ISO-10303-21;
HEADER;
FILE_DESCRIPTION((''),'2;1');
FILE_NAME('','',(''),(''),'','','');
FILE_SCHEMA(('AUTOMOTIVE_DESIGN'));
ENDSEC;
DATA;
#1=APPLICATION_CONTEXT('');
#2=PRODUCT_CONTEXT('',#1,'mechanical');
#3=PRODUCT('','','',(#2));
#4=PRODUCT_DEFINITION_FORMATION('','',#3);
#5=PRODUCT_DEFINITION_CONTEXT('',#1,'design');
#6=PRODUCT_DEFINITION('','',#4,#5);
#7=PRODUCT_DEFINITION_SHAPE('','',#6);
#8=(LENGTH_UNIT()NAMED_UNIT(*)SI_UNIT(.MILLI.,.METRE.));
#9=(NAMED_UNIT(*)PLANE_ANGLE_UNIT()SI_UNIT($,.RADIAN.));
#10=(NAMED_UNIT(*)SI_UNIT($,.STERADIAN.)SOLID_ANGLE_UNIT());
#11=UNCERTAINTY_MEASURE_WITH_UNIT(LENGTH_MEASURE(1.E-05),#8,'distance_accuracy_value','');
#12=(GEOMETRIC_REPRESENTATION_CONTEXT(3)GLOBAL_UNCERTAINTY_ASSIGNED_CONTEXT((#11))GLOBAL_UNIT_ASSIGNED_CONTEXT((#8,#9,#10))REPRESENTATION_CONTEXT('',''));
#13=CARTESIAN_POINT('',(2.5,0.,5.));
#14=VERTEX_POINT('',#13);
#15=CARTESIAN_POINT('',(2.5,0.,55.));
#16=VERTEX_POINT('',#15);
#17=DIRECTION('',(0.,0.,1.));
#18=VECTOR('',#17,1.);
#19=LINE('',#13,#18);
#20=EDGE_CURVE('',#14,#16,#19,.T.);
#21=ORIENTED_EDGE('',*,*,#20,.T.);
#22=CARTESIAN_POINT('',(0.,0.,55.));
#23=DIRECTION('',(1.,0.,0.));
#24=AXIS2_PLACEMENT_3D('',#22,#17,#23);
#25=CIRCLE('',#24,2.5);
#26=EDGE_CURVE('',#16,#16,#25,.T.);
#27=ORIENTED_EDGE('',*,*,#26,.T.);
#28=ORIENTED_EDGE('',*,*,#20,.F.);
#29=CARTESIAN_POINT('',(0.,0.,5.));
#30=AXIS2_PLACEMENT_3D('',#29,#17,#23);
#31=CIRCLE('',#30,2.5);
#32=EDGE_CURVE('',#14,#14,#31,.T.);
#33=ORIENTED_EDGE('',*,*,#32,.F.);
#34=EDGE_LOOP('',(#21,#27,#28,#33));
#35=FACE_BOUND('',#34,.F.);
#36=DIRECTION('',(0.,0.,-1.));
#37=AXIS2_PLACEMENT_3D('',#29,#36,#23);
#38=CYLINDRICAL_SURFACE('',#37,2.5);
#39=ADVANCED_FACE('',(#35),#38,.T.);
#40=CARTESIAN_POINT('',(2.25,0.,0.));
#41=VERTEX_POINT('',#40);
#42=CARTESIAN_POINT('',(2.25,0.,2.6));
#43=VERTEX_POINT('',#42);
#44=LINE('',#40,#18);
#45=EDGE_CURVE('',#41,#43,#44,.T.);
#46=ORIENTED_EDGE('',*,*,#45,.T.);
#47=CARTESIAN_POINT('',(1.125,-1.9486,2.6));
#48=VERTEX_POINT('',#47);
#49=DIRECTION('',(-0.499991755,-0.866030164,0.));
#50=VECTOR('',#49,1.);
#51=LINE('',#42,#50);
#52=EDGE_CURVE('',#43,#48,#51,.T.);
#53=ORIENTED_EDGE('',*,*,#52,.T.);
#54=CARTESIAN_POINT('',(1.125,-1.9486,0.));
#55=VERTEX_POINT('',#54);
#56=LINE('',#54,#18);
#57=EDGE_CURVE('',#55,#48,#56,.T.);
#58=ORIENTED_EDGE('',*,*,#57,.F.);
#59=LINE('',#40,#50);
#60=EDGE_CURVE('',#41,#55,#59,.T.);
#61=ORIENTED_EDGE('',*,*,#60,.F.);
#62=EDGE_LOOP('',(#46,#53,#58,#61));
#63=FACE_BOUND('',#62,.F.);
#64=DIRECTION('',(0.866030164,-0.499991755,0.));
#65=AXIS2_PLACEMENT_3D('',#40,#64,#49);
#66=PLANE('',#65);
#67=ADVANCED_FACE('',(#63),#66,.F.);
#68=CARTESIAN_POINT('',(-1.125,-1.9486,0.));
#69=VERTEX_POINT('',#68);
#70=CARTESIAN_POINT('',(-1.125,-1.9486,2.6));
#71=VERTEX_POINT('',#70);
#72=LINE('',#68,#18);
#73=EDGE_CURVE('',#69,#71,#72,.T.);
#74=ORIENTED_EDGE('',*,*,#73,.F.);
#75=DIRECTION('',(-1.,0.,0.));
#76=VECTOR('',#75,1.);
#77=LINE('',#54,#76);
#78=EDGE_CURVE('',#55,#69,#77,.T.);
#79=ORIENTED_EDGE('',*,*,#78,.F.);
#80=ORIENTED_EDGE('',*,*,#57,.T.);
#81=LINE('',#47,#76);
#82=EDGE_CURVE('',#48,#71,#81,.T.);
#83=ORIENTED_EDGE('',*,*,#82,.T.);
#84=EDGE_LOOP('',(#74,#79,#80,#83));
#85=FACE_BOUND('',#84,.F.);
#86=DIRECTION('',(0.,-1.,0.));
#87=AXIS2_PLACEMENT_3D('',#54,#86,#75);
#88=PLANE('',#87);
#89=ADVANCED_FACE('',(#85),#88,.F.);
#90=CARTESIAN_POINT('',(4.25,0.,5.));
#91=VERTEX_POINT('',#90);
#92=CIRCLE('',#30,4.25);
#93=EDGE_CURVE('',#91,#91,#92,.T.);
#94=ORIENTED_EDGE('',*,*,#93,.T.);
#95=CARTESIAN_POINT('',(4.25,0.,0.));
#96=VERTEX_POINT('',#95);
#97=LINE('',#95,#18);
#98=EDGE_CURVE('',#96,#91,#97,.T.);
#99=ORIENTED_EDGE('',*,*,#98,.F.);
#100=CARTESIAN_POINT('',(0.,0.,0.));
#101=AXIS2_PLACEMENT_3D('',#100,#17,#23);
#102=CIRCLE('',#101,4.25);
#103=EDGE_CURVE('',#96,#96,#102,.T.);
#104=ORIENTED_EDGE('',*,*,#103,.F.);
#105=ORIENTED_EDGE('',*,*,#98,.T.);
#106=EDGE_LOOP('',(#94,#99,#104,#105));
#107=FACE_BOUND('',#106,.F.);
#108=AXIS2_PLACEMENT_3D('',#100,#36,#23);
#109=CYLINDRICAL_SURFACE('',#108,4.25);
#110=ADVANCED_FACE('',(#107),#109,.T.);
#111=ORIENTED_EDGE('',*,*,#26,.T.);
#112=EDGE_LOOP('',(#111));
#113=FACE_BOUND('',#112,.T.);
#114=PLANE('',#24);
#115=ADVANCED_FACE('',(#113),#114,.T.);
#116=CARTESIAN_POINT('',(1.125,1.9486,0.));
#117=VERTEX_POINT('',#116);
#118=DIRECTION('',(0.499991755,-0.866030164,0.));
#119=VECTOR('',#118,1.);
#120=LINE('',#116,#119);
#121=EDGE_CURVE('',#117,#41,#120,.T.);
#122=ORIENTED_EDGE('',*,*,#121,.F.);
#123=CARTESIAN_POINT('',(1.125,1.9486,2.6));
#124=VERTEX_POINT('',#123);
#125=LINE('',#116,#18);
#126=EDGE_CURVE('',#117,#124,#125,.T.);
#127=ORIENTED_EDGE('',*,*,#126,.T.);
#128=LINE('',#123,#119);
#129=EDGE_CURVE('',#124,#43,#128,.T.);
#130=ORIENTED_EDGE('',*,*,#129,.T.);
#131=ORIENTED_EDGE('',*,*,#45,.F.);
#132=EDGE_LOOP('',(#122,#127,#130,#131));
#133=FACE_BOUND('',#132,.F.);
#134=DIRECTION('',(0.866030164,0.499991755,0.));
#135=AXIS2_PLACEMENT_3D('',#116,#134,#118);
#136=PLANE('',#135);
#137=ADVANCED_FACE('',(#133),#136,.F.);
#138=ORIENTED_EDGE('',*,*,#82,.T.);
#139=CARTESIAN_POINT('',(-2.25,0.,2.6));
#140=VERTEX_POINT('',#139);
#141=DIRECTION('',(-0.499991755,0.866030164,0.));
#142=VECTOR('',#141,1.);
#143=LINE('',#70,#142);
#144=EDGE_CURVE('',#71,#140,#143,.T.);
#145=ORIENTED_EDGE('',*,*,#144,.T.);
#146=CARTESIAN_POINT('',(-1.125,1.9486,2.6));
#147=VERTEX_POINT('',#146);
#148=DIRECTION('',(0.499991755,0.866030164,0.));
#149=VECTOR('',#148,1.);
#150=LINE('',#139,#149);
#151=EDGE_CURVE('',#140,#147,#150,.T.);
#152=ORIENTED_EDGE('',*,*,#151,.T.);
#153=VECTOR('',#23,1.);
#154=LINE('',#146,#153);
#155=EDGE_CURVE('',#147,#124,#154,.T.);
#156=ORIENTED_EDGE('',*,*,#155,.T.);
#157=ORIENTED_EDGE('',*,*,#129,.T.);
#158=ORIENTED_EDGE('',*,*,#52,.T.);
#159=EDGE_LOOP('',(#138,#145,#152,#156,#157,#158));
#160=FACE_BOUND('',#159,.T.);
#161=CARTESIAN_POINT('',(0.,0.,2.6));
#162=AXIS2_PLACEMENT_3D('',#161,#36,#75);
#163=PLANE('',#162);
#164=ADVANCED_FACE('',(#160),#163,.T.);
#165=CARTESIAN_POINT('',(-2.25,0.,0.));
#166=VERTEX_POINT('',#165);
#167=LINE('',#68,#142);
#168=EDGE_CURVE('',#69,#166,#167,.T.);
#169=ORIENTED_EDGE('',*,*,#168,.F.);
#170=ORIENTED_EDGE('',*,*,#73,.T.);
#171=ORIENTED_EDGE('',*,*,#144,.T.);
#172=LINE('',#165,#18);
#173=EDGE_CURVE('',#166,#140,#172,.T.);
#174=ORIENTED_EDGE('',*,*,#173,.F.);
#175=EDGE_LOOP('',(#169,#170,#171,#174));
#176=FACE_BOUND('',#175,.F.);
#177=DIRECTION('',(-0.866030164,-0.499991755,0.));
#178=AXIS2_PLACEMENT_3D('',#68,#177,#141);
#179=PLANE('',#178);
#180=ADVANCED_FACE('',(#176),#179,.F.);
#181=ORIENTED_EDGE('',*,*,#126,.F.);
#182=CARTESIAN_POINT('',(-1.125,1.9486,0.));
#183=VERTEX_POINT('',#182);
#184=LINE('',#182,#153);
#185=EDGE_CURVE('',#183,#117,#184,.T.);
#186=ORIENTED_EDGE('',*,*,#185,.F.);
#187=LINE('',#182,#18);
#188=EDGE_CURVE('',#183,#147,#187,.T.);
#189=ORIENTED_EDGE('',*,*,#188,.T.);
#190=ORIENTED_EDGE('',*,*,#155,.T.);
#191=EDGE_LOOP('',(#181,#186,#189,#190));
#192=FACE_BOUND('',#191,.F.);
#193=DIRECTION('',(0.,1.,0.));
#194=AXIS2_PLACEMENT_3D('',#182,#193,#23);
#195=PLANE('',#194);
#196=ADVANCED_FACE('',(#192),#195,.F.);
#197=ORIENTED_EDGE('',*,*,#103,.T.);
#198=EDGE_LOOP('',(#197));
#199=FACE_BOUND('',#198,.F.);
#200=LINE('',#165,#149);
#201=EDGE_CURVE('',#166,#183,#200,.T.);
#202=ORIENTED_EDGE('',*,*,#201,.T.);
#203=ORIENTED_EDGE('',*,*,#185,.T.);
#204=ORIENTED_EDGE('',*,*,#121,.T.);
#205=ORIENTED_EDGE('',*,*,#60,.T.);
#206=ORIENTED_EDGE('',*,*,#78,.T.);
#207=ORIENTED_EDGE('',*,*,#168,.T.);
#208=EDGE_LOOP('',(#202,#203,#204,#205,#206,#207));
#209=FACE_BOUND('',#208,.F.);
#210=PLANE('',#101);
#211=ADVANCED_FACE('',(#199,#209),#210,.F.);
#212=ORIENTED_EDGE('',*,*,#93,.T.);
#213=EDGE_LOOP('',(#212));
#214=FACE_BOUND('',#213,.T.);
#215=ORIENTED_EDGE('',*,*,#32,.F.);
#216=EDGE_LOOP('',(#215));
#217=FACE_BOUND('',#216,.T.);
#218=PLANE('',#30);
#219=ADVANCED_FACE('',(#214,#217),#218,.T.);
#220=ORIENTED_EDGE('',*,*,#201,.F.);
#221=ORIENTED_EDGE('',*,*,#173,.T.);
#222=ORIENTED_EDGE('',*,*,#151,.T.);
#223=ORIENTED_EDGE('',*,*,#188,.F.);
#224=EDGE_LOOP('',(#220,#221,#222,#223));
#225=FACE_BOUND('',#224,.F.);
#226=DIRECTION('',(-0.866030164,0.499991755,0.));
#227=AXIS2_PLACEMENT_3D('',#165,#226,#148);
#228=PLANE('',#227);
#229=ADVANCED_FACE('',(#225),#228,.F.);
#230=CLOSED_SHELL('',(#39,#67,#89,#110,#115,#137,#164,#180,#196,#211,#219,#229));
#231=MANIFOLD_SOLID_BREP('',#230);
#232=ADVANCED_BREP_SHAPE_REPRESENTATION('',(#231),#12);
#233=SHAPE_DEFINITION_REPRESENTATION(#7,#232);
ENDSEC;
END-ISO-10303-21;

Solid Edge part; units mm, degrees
sketch "Sketch1" plane through (0, 0, 0) normal (0, 0, 1) x (1, 0, 0)
  circle A0 centre (0, 0) radius 4.25
  dimension "D1" = 8.5
extrude "Protrusion1" add sketch "Sketch1" along normal blind 5
sketch "Sketch2" plane through (0, 0, 5) normal (0, 0, 1) x (1, 0, 0)
  circle A0 centre (0, 0) radius 2.5
extrude "ExtrudedProtrusion_2" add sketch "Sketch2" along normal blind 50
sketch "Sketch3" plane through (0, 0, 0) normal (0, 0, -1) x (-1, 0, 0)
  line L0 (2.25, 0) -> (1.125, 1.9486)
  line L1 (1.125, 1.9486) -> (-1.125, 1.9486)
  line L2 (-1.125, 1.9486) -> (-2.25, 0)
  line L3 (-2.25, 0) -> (-1.125, -1.9486)
  line L4 (-1.125, -1.9486) -> (1.125, -1.9486)
  line L5 (1.125, -1.9486) -> (2.25, 0)
extrude "ExtrudedCutout_1" cut sketch "Sketch3" against normal blind 2.6
properties material "Stainless steel"
